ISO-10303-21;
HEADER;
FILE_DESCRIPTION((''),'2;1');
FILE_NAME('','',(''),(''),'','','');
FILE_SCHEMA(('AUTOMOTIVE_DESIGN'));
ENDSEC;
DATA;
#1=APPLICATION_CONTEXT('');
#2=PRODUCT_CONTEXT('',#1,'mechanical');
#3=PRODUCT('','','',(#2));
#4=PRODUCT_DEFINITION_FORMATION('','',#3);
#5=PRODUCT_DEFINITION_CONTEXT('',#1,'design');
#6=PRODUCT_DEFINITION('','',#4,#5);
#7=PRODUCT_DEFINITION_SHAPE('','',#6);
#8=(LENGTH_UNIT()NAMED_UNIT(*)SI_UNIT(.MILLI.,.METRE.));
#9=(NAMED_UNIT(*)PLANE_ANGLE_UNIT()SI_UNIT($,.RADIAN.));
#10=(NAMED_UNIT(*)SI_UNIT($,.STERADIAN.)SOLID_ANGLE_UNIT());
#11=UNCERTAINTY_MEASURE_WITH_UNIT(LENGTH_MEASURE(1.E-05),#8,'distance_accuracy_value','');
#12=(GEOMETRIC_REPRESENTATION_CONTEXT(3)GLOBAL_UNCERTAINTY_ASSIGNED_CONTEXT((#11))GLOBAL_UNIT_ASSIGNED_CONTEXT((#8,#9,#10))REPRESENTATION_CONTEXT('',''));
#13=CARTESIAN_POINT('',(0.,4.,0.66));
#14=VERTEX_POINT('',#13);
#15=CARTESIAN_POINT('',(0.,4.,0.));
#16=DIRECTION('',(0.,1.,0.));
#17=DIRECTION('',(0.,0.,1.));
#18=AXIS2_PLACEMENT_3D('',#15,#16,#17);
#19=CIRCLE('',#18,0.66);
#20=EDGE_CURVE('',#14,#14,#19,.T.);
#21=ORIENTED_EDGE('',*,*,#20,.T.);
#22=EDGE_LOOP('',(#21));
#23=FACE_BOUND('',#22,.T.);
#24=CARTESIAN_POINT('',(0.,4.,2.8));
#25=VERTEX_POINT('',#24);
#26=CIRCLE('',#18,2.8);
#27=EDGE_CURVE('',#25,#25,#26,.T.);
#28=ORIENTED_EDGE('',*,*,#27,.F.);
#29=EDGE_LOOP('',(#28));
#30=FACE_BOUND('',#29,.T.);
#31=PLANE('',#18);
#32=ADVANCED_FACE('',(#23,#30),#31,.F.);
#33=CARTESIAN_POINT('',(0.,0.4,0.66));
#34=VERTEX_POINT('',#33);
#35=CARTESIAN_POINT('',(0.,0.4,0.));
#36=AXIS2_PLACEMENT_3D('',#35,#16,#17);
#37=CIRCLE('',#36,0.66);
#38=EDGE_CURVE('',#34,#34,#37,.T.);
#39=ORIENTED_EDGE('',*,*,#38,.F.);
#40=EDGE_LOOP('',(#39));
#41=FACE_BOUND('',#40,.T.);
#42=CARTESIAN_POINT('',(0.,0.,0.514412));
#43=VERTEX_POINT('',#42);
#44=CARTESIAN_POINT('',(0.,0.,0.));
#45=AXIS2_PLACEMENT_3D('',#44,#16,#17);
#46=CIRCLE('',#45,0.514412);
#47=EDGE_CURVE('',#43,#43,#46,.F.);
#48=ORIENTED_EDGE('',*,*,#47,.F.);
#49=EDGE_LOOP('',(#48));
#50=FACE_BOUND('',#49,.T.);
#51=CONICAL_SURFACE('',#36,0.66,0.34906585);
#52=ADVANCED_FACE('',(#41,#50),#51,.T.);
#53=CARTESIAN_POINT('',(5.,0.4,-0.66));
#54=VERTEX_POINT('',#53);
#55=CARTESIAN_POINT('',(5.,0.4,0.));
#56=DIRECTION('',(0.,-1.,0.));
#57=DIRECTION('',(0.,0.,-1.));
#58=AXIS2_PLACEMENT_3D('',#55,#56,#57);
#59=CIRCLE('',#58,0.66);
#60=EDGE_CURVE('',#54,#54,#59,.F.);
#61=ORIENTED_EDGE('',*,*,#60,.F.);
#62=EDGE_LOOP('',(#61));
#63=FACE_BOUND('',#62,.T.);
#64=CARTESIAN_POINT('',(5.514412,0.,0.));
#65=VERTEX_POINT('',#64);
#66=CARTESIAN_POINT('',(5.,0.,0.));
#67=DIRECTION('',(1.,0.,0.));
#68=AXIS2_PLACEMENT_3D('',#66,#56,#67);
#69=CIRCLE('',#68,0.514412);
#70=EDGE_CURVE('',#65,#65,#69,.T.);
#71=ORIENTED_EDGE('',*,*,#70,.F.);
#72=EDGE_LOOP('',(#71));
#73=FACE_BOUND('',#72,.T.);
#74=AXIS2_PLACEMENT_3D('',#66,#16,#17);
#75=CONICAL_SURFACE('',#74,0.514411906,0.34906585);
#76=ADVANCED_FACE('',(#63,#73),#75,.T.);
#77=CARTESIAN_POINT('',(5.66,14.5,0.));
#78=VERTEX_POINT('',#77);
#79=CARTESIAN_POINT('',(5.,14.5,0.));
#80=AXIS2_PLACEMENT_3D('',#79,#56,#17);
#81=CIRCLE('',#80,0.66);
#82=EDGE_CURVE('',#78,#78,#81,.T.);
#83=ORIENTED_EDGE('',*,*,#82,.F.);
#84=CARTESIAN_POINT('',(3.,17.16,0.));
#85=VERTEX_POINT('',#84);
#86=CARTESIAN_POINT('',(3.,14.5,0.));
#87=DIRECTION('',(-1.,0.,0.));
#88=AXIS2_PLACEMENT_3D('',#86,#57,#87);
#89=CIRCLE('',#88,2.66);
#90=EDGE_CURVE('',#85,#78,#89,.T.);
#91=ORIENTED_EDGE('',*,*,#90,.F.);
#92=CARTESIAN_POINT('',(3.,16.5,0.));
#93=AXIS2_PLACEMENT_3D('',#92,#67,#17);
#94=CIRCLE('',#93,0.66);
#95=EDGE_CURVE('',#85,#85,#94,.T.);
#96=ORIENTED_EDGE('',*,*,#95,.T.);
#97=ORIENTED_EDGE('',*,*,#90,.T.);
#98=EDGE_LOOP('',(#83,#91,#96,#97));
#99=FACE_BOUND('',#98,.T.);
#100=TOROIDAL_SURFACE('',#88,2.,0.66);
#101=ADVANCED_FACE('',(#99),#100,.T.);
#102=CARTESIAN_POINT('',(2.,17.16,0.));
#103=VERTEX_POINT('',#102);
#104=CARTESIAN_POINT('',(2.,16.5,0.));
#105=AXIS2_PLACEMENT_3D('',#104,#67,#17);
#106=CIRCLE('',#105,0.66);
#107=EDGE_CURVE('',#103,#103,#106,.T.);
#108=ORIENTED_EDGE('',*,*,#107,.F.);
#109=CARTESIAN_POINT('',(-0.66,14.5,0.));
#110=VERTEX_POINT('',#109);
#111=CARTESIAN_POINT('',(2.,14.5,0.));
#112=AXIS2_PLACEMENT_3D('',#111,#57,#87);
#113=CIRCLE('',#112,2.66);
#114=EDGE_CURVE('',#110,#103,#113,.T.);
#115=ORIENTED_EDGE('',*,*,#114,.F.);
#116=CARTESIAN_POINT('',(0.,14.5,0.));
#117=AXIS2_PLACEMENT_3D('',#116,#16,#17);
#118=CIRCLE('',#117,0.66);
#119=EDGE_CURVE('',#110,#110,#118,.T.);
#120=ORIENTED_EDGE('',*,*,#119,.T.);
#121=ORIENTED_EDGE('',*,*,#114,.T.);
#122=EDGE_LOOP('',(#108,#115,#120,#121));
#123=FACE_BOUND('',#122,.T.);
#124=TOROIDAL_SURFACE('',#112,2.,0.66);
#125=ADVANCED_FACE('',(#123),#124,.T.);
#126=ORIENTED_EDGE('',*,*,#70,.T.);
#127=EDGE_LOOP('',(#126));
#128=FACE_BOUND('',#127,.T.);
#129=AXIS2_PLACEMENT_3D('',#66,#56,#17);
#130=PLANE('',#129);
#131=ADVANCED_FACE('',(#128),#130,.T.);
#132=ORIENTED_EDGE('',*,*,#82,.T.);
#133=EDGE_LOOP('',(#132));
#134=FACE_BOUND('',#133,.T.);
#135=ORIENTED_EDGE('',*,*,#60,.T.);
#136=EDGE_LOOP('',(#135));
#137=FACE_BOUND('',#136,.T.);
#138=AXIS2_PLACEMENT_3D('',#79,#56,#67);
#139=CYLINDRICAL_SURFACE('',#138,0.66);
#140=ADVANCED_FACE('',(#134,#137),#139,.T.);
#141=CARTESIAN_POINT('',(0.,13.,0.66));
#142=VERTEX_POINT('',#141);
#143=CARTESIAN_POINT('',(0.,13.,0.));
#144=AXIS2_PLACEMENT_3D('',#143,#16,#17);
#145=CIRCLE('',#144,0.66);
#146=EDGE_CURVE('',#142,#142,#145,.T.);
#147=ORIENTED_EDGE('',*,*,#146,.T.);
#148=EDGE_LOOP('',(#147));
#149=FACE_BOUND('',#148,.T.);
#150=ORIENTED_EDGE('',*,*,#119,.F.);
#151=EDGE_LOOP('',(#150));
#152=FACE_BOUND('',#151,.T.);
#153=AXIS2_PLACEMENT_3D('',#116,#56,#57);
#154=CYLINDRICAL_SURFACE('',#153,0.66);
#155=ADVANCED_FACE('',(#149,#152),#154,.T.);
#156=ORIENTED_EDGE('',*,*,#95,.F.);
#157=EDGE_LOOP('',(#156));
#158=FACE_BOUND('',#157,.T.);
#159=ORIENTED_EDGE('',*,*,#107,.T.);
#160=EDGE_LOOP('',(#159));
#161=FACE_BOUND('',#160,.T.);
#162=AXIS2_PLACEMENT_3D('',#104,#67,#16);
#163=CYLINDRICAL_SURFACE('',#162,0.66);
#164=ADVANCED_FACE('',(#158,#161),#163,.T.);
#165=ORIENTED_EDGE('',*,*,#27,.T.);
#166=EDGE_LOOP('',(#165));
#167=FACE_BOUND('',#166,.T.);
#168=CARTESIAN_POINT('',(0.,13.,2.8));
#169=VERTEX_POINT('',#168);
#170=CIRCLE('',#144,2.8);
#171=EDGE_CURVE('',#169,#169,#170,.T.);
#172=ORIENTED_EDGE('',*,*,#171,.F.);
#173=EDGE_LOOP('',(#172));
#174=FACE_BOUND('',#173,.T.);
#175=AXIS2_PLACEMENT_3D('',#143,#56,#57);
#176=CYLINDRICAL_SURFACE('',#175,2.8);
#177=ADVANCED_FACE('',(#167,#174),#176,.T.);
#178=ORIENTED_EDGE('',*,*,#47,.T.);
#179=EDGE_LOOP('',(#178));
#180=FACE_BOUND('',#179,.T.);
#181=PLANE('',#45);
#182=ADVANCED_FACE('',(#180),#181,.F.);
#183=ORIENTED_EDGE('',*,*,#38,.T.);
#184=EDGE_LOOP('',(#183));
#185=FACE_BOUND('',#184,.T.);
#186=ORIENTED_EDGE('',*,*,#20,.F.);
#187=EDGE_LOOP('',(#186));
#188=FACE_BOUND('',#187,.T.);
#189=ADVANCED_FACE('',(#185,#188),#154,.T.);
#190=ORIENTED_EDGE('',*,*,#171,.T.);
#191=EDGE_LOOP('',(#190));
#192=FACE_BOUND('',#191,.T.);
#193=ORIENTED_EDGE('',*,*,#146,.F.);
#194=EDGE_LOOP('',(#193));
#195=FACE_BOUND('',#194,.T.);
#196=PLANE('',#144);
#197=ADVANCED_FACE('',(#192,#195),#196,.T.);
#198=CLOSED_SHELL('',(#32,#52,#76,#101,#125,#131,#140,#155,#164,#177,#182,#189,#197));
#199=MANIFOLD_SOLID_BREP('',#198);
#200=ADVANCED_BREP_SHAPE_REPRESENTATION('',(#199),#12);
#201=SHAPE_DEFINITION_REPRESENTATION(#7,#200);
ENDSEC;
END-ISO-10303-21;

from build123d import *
from OCP.BRepFilletAPI import BRepFilletAPI_MakeChamfer

# Parameters (mm, degrees)
SKETCH_1_R      = 0.66
EXTRUDE_START   = 4
SKETCH_3_R      = 2.8
EXTRUDE_1_DEPTH = 9
CHAMFER_1_SIZE  = 0.4
CHAMFER_1_SIZE2 = 0.145588094


with BuildPart() as part:
    # По траектории1: sweep along a path in Эскиз2
    with BuildLine(Plane.XY) as sweep_1_path:
        Line((0, 0), (0, 14.5))
        ThreePointArc((0, 14.5), (0.585786438, 15.914213562), (2, 16.5))
        Line((2, 16.5), (3, 16.5))
        ThreePointArc((3, 16.5), (4.414213562, 15.914213562), (5, 14.5))
        Line((5, 14.5), (5, 0))
    # Эскиз1 → По траектории1 (sweep)
    with BuildSketch(Plane(origin=(0, 0, 0), x_dir=(1, 0, 0), z_dir=(0, 1, 0))):
        Circle(SKETCH_1_R)
    sweep(path=sweep_1_path.line)

    # Эскиз3 → Бобышка-Вытянуть1 (add)
    with BuildSketch(Plane(origin=(0, 0, 0), x_dir=(1, 0, 0), z_dir=(0, 1, 0)).offset(EXTRUDE_START)):
        with Locations(Location((0, 0, 0), (0, 0, 270))):
            Circle(SKETCH_3_R)
    extrude(amount=EXTRUDE_1_DEPTH)

    # Фаска1: one chamfer whose edges measure the first distance from different faces: ONE call of the kernel's chamfer builder (chamfer() names one face for all edges)
    chamfer_1_edges_1 = [part.edges().sort_by_distance(p)[0] for p in [
        (-0.66, 0, 0),
    ]]
    chamfer_1_side_1 = [part.faces().sort_by_distance(p)[0] for p in [
        (-0.66, 2, 0),
    ]]
    chamfer_1_edges_2 = [part.edges().sort_by_distance(p)[0] for p in [
        (5.66, 0, 0),
    ]]
    chamfer_1_side_2 = [part.faces().sort_by_distance(p)[0] for p in [
        (5.66, 7.25, 0),
    ]]
    chamfer_1 = BRepFilletAPI_MakeChamfer(part.part.solid().wrapped)
    for e in chamfer_1_edges_1:
        chamfer_1.Add(CHAMFER_1_SIZE, CHAMFER_1_SIZE2, e.wrapped, chamfer_1_side_1[0].wrapped)  # the first distance lies on this face
    for e in chamfer_1_edges_2:
        chamfer_1.Add(CHAMFER_1_SIZE, CHAMFER_1_SIZE2, e.wrapped, chamfer_1_side_2[0].wrapped)  # the first distance lies on this face
    add(Compound.cast(chamfer_1.Shape()), mode=Mode.REPLACE)


solid = part.part
